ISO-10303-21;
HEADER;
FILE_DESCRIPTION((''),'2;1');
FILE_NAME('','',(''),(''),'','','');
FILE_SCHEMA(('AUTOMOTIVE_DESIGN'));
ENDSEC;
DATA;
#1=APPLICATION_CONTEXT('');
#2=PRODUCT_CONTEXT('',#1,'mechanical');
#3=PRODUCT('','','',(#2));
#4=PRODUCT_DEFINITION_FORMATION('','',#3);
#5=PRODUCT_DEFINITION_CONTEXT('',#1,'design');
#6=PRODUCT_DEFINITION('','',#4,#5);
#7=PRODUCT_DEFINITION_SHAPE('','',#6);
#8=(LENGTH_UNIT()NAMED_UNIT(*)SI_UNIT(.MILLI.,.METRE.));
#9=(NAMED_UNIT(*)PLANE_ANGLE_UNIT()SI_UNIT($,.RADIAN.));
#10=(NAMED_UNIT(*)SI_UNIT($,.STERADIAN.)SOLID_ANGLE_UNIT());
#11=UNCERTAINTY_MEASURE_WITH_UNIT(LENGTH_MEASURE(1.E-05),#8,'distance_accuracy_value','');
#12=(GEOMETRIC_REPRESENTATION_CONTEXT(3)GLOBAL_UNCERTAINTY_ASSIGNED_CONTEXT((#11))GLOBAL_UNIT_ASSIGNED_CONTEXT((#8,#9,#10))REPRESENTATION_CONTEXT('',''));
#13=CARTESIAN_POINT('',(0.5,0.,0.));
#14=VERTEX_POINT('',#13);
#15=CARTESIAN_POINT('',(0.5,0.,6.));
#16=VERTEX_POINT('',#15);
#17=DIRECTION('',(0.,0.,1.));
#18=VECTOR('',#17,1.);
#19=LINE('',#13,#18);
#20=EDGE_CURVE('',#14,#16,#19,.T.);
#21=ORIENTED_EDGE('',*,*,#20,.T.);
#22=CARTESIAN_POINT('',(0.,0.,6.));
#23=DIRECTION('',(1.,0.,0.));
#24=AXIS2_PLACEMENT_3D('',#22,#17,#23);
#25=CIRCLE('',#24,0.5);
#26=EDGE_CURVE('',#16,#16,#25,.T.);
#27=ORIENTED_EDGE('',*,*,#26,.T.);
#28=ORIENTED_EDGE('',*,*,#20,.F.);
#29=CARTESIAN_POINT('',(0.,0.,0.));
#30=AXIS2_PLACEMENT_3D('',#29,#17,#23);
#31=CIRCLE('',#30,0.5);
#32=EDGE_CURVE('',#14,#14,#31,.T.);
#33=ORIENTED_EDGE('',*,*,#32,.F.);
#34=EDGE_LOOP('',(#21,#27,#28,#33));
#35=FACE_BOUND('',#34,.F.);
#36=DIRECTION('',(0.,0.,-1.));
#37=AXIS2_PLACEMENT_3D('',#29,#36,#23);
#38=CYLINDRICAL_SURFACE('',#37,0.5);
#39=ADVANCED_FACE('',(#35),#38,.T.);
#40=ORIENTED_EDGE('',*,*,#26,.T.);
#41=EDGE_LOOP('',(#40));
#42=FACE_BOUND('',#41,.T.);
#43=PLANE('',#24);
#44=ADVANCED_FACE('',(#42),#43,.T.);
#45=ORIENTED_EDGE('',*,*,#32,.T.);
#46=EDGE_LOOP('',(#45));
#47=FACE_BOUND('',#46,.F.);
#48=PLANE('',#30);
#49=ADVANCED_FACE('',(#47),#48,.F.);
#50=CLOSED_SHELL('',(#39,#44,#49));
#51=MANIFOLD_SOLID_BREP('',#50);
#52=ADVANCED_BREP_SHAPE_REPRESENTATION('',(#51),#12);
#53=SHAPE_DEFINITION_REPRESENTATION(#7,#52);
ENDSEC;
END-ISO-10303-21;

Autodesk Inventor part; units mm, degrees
ref_plane "YZ Plane" through (0, 0, 0) normal (1, 0, 0) x (0, 1, 0)
ref_plane "XZ Plane" through (0, 0, 0) normal (0, 1, 0) x (-1, 0, 0)
ref_plane "XY Plane" through (0, 0, 0) normal (0, 0, 1) x (1, 0, 0)
sketch "草圖1" plane through (0, 0, 0) normal (0, 0, 1) x (1, 0, 0)
  circle A0 centre (0, 0) radius 0.5
  dimension "d0" = 1
extrude "擠出1" add sketch "草圖1" along normal blind 6
properties part number "66666"
